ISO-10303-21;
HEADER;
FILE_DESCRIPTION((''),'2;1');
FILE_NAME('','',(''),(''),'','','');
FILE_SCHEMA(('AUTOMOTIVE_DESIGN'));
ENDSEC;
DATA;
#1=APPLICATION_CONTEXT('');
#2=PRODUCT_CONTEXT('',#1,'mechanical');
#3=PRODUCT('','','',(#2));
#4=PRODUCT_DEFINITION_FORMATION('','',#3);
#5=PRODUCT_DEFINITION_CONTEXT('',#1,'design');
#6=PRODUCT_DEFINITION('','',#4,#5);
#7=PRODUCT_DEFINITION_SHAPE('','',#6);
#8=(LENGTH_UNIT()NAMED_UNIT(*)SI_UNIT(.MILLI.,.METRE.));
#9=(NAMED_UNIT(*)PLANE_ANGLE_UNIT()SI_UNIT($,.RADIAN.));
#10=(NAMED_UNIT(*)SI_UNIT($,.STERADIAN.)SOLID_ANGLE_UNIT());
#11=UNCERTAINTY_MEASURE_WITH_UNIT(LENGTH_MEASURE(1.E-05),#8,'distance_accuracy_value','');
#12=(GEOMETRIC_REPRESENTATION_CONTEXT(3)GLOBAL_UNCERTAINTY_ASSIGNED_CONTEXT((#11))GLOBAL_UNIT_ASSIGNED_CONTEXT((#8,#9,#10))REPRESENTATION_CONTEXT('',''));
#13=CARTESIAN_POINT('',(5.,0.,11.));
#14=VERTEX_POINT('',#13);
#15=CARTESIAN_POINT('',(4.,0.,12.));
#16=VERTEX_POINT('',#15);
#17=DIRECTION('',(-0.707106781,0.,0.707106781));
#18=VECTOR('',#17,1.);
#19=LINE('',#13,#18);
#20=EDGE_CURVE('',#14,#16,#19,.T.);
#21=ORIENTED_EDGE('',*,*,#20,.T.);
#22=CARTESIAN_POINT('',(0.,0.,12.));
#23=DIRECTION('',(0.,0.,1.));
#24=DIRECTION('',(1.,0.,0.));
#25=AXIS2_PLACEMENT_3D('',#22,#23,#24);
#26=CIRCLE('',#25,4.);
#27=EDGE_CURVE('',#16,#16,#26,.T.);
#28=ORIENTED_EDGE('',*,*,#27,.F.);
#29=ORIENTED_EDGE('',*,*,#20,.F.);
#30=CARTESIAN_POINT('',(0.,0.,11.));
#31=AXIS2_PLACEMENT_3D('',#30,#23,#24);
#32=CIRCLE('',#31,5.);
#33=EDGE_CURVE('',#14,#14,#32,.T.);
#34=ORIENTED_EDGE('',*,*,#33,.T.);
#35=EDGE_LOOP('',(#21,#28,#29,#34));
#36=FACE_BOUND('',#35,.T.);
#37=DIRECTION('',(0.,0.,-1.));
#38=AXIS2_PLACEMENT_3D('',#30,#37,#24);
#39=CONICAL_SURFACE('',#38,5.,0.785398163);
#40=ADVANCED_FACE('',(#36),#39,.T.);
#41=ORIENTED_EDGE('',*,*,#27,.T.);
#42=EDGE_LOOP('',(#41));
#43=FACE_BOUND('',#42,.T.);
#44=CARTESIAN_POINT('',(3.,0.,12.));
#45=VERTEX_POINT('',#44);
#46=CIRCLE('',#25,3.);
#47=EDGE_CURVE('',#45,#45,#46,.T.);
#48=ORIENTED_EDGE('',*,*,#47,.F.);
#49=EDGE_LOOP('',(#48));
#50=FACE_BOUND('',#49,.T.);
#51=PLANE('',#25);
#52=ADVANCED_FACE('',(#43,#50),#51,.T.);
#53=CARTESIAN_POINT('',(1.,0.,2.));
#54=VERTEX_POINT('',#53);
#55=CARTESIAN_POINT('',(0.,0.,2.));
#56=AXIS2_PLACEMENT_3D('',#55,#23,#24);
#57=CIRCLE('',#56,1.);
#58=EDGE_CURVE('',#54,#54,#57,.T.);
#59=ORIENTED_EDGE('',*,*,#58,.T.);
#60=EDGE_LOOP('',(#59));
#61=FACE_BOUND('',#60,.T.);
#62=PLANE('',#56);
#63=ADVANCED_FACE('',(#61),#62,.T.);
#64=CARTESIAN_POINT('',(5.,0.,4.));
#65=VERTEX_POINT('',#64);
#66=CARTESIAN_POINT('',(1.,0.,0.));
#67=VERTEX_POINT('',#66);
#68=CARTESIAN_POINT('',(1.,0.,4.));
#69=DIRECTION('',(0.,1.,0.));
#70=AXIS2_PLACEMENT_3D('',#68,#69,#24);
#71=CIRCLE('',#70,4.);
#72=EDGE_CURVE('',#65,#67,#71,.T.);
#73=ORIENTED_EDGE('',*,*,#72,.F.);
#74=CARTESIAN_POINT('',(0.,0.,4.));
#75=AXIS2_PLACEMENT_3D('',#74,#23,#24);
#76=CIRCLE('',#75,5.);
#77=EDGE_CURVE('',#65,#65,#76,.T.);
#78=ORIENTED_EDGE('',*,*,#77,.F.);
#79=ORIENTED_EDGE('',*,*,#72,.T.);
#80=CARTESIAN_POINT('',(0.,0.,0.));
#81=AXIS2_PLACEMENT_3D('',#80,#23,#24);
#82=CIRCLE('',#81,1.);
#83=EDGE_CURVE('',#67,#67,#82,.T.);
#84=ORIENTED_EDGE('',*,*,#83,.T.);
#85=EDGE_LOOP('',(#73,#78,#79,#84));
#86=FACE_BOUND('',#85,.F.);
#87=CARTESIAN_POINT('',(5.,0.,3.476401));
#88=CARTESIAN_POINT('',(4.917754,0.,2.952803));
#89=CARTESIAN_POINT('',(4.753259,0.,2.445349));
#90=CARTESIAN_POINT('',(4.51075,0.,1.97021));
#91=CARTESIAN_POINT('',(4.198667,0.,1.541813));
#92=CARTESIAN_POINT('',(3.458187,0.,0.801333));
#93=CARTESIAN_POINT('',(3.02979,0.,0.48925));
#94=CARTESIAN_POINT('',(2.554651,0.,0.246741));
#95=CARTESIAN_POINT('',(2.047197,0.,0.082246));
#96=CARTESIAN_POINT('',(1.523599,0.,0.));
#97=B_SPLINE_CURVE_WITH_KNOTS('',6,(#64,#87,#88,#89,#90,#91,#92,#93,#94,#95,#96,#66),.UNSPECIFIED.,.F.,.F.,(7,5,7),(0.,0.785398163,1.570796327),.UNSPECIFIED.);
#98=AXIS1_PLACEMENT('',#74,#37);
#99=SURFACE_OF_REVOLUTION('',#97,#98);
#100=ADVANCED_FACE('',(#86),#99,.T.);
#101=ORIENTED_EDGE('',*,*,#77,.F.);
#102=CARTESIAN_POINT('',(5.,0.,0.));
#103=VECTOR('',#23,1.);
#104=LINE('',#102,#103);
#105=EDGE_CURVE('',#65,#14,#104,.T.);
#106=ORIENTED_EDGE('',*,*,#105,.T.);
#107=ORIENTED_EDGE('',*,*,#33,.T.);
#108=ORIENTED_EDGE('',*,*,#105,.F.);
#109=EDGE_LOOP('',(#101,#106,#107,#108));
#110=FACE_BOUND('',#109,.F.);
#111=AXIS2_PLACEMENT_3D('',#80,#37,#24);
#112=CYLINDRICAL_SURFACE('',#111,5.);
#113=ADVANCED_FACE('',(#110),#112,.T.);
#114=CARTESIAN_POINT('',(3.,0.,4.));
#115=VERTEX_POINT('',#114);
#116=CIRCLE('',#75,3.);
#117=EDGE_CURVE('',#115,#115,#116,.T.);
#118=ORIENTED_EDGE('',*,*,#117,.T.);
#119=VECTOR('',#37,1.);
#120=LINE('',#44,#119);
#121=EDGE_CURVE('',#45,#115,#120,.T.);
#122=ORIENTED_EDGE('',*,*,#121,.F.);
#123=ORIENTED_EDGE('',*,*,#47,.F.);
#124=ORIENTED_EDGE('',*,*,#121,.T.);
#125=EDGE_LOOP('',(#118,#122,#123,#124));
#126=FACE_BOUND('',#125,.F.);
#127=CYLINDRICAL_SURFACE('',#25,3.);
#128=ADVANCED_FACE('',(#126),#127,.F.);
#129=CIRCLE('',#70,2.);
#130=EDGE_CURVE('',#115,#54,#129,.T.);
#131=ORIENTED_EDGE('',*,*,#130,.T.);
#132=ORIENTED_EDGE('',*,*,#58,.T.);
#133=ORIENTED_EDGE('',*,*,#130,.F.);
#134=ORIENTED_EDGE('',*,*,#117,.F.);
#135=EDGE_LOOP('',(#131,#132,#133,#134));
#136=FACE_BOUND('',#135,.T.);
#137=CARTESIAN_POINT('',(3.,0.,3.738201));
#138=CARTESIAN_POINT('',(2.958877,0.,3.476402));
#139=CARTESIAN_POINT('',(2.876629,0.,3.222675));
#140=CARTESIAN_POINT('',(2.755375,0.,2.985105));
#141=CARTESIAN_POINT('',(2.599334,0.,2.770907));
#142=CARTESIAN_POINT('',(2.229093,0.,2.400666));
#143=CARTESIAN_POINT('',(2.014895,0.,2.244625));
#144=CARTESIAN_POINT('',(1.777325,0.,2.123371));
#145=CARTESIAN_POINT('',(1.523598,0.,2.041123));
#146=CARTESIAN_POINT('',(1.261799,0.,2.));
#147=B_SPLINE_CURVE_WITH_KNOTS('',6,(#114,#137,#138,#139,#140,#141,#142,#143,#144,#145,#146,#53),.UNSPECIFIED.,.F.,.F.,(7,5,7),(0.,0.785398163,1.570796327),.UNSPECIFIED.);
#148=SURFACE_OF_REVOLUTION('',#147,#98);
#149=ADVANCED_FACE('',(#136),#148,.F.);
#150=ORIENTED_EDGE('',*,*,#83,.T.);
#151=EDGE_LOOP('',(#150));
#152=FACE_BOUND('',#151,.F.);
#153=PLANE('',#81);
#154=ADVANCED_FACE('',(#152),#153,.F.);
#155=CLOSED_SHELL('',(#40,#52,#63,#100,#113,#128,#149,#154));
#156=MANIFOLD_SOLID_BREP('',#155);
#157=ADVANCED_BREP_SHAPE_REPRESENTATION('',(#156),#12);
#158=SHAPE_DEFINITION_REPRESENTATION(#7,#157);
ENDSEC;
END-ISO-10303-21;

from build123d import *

# Parameters (mm, degrees)
SKETCH_R     = 5
PAD_DEPTH    = 12
SKETCH001_R  = 3
POCKET_DEPTH = 10
FILLET_R     = 4
CHAMFER_SIZE = 1
FILLET001_R  = 2


with BuildPart() as part:
    # Sketch → Pad (new body)
    with BuildSketch(Plane.XY):
        Circle(SKETCH_R)
    extrude(amount=PAD_DEPTH)

    # Sketch001 (on Face3 of Pad) → Pocket (cut)
    with BuildSketch(Plane.XY.offset(12)):
        Circle(SKETCH001_R)
    extrude(amount=-POCKET_DEPTH, mode=Mode.SUBTRACT)

    # Fillet
    fillet_edges = [part.edges().sort_by_distance(p)[0] for p in [
        (-5, 0, 0),
    ]]
    fillet(fillet_edges, radius=FILLET_R)

    # Chamfer
    chamfer_edges = [part.edges().sort_by_distance(p)[0] for p in [
        (-5, 0, 12),
    ]]
    chamfer(chamfer_edges, length=CHAMFER_SIZE)

    # Fillet001
    fillet001_edges = [part.edges().sort_by_distance(p)[0] for p in [
        (-3, 0, 2),
    ]]
    fillet(fillet001_edges, radius=FILLET001_R)


solid = part.part
